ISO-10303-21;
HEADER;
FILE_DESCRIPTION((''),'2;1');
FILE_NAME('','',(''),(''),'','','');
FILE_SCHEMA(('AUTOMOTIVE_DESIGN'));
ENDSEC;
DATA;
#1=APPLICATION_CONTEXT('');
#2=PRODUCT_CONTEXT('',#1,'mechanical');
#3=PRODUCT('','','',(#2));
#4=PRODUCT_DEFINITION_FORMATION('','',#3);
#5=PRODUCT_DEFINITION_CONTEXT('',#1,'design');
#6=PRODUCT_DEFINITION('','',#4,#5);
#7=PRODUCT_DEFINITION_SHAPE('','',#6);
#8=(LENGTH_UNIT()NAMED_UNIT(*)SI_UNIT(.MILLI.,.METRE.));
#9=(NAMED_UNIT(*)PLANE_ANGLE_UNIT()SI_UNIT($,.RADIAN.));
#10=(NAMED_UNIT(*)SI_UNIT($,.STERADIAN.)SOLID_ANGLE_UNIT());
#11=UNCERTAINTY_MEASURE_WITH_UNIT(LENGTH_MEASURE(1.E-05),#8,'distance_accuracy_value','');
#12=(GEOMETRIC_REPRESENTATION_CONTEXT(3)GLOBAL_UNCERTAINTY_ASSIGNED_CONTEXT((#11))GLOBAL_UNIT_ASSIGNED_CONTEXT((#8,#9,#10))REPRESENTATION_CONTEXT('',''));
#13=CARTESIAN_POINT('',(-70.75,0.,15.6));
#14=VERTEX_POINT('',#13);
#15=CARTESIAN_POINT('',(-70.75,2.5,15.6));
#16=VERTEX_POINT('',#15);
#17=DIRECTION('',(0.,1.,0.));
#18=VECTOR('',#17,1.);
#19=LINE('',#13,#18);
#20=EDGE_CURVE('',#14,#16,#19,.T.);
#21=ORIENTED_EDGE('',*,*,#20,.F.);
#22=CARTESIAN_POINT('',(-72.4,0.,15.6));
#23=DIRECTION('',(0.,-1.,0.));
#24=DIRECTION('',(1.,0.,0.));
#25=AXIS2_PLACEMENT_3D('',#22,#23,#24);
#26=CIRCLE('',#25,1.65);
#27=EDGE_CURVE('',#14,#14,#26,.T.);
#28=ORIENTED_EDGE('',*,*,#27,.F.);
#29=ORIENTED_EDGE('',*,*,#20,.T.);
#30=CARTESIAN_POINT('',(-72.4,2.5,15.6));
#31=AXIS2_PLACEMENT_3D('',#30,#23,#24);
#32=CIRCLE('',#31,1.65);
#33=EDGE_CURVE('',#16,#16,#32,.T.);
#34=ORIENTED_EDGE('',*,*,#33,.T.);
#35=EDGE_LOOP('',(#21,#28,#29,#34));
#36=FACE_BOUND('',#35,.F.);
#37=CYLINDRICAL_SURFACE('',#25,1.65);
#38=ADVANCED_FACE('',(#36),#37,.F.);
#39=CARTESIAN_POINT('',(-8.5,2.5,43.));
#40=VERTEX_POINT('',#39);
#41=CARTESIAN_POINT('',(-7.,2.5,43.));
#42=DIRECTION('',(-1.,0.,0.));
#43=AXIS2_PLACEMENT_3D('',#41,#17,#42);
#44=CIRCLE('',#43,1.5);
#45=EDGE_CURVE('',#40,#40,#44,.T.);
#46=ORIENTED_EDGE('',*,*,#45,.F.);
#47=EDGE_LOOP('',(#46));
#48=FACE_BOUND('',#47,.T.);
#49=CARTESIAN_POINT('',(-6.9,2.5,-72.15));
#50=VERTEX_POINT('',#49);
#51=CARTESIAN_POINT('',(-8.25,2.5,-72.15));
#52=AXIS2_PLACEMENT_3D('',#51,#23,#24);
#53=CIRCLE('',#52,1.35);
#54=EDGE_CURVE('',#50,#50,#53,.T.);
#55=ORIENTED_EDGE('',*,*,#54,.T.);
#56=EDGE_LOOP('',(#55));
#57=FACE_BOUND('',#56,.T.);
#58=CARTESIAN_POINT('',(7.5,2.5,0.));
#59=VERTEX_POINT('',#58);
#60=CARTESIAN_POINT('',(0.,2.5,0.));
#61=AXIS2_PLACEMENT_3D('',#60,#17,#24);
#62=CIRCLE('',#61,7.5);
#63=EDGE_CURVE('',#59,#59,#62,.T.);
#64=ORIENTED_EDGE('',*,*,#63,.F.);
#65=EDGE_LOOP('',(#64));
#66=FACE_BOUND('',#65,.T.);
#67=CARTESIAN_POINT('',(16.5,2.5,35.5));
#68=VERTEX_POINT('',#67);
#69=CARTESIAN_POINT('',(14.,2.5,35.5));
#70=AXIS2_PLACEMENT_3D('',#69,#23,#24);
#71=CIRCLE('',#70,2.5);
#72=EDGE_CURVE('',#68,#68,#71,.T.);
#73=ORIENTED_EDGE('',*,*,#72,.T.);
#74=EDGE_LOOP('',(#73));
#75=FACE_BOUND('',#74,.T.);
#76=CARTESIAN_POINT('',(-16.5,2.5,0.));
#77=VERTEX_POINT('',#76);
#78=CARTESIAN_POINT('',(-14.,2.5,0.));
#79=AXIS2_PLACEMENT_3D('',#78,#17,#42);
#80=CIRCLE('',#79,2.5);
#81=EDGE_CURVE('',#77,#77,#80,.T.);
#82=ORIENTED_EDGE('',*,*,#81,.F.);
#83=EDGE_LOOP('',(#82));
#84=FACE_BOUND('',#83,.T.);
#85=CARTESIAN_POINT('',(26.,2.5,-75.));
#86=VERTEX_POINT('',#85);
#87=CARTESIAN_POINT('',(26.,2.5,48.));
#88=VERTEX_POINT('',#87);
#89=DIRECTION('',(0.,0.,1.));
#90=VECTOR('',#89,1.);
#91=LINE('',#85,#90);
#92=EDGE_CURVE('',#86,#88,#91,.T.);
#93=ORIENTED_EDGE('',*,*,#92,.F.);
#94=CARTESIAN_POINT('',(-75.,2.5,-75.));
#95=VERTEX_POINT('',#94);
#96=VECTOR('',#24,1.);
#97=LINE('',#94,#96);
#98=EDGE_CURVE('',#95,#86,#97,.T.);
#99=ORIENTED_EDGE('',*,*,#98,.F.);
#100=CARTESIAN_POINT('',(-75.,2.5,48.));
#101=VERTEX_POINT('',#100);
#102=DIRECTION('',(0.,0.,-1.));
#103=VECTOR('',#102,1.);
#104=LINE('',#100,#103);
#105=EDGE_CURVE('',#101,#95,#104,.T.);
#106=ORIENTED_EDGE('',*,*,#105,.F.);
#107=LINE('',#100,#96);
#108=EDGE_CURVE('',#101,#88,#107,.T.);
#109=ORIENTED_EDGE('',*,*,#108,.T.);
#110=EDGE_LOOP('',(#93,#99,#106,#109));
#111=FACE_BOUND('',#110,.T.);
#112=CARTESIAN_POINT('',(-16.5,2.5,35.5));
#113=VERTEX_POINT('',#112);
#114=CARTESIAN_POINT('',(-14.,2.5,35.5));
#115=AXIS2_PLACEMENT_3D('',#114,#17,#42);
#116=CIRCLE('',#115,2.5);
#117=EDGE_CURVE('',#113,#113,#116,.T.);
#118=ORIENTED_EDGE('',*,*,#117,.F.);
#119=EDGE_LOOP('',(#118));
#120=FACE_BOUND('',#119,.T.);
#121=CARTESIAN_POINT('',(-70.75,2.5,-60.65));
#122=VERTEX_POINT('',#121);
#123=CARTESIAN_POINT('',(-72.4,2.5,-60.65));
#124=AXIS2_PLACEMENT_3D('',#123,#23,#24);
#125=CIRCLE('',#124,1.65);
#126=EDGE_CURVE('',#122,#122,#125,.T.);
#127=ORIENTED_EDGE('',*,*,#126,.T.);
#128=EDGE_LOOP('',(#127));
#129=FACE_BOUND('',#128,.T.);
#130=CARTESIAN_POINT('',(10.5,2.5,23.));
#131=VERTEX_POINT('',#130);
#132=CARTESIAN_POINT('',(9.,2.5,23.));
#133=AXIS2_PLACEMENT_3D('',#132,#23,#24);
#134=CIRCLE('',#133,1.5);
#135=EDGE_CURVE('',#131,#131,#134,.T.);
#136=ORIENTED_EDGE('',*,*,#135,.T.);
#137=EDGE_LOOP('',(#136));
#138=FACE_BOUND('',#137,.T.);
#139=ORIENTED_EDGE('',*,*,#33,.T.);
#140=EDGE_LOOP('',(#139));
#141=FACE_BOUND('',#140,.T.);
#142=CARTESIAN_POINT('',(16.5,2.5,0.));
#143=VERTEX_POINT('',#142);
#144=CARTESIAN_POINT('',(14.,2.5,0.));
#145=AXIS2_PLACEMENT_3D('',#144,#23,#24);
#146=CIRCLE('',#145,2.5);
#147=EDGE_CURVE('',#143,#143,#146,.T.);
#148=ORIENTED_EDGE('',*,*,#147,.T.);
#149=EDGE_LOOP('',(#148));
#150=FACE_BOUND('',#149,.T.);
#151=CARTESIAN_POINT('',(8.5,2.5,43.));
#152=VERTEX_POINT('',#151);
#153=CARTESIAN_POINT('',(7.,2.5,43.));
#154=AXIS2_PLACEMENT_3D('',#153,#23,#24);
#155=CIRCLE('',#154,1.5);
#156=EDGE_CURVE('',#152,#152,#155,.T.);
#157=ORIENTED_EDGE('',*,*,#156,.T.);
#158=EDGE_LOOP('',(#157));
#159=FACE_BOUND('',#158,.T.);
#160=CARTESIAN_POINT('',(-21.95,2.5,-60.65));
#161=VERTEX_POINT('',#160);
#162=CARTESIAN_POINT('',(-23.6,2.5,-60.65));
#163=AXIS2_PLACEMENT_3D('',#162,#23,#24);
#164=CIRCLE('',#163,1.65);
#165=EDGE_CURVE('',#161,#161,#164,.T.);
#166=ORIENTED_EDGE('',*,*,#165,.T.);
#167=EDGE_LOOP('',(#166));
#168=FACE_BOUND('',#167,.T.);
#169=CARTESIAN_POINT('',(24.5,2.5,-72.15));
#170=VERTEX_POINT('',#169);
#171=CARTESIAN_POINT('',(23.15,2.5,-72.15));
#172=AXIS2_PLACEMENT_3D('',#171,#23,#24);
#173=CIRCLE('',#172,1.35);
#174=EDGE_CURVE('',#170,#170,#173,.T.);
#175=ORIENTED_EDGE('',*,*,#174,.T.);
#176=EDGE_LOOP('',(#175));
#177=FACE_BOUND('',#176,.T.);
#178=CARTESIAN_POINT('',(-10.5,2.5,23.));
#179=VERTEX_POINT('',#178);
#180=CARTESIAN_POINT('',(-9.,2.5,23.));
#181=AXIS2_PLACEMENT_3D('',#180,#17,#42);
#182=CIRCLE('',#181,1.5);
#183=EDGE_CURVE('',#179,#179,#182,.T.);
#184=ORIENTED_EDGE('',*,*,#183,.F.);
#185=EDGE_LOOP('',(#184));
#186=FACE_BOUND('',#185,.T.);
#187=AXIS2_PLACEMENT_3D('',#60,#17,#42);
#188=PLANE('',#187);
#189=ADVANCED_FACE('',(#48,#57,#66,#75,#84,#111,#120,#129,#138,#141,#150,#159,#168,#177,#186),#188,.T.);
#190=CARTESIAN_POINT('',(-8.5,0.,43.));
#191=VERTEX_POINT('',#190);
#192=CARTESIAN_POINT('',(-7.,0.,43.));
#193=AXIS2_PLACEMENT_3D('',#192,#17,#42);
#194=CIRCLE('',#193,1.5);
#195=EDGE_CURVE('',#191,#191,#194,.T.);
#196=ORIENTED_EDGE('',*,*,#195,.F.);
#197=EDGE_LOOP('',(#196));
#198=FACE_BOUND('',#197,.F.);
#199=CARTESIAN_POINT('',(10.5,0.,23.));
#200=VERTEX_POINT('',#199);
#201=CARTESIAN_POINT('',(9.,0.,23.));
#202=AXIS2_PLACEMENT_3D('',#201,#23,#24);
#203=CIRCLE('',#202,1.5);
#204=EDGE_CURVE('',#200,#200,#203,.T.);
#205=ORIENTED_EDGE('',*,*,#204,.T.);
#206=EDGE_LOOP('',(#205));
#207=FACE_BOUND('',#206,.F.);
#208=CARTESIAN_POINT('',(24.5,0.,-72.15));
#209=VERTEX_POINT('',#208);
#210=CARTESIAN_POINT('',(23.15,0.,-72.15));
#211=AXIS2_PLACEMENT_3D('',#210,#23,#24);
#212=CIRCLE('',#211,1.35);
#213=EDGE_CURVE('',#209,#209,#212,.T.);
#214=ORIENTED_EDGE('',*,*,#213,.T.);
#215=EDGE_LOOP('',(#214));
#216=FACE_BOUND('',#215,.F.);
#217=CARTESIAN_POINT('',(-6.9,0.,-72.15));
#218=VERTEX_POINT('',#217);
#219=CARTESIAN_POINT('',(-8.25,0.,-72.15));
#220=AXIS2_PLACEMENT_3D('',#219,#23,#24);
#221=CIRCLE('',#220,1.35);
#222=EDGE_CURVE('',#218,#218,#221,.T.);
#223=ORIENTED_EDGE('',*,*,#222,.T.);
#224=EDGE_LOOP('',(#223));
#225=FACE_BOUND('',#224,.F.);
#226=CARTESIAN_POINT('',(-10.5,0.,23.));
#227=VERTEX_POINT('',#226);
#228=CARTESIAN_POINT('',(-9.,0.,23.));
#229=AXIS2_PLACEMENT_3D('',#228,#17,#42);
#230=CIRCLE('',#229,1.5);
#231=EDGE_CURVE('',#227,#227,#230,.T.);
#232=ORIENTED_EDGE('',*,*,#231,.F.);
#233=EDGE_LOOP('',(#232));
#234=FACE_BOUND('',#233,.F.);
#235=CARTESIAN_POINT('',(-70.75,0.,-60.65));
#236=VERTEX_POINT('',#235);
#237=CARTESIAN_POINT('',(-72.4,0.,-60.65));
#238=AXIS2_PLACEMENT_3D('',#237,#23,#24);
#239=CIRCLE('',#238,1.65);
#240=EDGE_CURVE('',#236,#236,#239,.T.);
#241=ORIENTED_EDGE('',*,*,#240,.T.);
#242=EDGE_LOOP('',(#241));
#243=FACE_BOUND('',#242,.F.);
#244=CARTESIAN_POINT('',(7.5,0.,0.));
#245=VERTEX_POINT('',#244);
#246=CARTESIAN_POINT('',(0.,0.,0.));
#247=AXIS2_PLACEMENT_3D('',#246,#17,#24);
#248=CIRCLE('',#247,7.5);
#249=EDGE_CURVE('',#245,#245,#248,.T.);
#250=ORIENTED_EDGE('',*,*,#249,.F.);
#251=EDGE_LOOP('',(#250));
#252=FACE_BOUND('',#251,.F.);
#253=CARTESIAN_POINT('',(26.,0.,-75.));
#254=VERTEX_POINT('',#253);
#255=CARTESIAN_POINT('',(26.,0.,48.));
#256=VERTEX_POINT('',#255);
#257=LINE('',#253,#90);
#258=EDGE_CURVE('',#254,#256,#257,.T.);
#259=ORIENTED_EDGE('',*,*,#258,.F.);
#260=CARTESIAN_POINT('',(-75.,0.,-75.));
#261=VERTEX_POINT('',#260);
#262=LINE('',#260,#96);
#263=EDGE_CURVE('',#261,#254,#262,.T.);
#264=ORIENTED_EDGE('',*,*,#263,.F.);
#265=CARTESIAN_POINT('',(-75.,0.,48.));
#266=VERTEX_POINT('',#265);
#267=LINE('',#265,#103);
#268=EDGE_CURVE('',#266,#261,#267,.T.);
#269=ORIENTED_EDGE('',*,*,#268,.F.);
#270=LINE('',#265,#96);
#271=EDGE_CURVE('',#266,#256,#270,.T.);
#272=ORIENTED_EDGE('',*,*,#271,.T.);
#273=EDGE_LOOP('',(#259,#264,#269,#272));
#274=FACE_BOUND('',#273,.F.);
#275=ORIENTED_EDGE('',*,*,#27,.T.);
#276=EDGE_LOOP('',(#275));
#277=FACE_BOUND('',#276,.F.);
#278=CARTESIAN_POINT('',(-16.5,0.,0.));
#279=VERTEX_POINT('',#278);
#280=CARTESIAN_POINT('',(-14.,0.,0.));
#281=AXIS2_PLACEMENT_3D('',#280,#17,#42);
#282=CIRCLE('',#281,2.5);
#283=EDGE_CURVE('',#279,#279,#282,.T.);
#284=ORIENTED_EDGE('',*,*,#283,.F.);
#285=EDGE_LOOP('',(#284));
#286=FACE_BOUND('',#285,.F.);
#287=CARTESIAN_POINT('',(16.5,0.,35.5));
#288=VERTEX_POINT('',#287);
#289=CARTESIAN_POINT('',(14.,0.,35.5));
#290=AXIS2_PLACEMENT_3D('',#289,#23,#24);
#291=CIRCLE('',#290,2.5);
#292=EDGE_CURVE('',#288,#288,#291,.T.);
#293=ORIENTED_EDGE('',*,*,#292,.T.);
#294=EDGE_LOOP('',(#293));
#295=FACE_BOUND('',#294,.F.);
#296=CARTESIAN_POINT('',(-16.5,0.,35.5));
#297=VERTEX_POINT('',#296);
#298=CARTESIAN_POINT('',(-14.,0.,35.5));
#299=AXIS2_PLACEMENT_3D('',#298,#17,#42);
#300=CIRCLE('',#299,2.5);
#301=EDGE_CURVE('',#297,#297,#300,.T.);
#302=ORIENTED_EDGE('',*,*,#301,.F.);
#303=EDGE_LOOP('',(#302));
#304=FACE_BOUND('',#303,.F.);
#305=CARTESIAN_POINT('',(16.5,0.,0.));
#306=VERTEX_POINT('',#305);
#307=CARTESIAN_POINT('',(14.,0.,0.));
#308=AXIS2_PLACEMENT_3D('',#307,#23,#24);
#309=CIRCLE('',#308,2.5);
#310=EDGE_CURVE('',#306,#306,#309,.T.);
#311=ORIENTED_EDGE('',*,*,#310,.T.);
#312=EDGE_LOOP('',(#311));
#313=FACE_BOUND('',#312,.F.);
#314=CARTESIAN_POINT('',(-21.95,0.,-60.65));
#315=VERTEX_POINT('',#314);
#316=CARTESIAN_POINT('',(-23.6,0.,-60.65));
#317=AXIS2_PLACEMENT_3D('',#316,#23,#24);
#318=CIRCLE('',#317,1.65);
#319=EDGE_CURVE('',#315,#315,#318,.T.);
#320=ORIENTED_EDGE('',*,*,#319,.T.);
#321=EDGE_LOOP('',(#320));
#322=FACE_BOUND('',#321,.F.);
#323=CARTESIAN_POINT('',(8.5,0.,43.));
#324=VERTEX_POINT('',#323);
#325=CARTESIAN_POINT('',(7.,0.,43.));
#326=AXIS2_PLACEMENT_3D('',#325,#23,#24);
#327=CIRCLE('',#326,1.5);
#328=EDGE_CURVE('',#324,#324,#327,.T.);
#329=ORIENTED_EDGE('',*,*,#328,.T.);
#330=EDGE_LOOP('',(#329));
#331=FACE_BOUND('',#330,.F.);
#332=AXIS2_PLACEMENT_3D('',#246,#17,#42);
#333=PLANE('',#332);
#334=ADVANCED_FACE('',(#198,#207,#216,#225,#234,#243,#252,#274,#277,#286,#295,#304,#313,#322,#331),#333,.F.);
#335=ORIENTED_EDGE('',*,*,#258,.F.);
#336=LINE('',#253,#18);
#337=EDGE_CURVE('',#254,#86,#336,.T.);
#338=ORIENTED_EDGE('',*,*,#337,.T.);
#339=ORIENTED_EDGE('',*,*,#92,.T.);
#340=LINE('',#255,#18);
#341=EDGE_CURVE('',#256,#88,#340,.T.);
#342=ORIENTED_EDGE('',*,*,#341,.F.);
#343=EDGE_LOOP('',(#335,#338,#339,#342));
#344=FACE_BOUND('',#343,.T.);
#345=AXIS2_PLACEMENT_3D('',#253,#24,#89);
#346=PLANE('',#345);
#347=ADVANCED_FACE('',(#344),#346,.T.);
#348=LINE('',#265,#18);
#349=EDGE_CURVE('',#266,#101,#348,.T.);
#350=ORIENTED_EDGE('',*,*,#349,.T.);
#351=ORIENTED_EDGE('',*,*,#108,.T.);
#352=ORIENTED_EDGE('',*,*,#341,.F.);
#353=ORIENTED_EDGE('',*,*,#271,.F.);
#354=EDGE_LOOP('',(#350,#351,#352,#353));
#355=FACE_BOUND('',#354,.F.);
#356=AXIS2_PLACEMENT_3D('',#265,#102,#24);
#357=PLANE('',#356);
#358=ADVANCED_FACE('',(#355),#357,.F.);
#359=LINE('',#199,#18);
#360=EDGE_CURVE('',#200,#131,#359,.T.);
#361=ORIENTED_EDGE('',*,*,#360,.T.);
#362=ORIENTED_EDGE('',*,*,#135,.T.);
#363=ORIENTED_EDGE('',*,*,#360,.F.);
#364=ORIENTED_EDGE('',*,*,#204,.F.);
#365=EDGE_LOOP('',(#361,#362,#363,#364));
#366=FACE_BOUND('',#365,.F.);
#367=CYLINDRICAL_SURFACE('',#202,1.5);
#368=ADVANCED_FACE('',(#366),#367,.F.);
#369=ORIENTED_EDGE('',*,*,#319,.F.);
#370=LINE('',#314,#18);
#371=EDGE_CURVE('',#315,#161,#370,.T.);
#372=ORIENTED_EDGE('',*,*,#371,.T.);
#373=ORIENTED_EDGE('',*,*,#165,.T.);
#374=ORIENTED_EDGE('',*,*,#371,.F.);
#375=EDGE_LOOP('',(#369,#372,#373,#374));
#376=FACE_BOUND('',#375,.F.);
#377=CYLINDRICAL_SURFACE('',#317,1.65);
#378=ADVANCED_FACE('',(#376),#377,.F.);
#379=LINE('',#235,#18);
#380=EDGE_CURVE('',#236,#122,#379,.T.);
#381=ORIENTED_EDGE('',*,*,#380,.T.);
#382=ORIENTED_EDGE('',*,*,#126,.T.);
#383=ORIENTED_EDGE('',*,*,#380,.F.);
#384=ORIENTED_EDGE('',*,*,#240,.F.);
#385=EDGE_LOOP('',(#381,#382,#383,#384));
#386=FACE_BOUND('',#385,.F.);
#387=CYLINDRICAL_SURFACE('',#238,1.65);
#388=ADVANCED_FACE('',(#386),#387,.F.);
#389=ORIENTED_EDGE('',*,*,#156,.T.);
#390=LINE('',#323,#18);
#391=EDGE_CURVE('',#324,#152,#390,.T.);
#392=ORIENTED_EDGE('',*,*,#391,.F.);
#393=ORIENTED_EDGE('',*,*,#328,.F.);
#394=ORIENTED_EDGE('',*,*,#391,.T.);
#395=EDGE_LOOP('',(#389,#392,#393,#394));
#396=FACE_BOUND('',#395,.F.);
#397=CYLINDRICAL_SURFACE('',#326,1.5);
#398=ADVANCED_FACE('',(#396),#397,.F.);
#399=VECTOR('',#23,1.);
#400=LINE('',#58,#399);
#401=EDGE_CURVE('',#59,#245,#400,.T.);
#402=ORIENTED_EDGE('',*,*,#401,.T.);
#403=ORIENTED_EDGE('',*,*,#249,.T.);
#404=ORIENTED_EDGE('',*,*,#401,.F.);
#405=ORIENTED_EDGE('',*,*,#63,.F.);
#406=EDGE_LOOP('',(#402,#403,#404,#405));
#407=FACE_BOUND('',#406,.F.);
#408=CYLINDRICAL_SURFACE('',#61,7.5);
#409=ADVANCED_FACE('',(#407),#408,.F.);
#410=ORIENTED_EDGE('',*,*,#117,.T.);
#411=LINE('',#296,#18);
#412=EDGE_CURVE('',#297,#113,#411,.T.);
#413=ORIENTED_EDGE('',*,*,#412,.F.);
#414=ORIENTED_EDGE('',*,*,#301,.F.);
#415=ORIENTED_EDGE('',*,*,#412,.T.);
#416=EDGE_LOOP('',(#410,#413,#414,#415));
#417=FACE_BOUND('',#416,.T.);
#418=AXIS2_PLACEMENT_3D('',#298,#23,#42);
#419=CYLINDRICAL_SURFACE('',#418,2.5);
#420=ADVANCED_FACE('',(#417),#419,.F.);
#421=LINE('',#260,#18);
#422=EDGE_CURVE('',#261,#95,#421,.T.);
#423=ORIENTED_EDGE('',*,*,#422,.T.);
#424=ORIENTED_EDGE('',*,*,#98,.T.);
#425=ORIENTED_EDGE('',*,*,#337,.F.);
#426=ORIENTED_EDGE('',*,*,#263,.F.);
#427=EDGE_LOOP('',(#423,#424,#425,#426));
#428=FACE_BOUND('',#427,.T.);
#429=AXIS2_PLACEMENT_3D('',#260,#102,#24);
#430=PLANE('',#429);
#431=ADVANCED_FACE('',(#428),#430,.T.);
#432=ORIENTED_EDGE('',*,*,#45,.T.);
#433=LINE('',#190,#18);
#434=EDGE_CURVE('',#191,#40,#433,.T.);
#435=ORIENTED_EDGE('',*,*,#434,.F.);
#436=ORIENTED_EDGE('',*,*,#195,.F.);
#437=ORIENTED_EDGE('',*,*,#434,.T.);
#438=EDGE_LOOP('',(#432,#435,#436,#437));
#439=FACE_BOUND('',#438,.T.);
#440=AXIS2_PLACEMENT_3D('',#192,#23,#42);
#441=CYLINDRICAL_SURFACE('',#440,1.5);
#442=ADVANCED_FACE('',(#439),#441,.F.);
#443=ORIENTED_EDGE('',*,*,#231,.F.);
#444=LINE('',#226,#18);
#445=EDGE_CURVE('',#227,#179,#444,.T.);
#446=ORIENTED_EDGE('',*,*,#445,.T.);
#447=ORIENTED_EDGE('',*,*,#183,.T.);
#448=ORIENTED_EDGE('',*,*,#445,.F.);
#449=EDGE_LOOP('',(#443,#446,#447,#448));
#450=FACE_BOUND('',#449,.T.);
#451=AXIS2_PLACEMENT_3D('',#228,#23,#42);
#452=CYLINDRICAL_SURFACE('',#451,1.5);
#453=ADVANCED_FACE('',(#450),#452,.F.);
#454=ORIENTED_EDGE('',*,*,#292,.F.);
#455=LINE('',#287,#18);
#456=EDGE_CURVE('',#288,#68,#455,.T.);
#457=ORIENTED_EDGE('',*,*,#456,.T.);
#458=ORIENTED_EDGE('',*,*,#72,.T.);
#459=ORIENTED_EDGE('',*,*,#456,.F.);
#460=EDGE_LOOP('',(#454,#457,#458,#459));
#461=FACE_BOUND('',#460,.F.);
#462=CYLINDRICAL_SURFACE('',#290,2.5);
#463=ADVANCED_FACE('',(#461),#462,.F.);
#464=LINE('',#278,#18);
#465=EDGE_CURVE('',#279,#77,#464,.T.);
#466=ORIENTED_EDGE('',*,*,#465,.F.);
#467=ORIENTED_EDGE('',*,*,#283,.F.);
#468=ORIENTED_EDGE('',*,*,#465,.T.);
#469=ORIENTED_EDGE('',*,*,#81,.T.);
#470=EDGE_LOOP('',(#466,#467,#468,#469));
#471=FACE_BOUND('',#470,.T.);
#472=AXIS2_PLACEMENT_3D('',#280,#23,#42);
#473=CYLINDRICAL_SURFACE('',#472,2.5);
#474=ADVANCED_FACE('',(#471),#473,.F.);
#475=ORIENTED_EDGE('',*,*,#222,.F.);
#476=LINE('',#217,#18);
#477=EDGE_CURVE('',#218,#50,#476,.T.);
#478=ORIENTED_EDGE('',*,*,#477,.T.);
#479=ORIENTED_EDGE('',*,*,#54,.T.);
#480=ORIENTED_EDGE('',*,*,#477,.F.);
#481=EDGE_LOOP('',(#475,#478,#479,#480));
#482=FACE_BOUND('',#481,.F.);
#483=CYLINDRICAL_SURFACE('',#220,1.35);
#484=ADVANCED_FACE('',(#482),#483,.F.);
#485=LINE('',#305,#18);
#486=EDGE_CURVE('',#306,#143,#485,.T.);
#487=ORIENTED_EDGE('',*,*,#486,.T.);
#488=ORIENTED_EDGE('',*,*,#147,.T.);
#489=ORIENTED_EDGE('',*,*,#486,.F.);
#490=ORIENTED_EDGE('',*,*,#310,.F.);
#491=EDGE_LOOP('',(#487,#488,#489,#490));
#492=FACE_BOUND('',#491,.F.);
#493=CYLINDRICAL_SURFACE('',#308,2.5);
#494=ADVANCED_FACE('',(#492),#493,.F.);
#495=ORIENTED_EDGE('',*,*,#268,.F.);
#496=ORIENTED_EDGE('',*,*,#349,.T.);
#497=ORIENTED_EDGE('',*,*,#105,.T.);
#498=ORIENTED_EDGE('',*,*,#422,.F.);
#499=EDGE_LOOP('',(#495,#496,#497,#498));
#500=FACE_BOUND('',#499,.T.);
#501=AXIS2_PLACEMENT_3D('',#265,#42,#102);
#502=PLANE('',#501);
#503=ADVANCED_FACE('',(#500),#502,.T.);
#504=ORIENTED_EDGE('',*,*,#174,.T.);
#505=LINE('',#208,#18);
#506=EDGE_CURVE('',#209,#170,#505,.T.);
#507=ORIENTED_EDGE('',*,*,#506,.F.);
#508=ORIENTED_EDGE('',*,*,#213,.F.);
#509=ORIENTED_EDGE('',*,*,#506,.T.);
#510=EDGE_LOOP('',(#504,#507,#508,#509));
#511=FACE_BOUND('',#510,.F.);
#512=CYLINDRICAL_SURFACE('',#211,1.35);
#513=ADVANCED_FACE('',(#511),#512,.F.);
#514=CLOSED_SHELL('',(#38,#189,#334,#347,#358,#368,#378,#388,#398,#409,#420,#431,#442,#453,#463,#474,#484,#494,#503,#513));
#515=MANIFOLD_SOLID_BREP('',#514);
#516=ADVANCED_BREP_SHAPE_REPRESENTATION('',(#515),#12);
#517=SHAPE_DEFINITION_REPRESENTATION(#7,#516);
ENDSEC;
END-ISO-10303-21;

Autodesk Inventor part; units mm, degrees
ref_plane "YZ Plane" through (0, 0, 0) normal (1, 0, 0) x (0, 1, 0)
ref_plane "XZ Plane" through (0, 0, 0) normal (0, 1, 0) x (-1, 0, 0)
sketch "Sketch1" plane through (0, 0, 0) normal (0, 1, 0) x (-1, 0, 0)
  line L0 (75, 48) -> (75, -75)
  line L1 (75, -75) -> (-26, -75)
  line L2 (-26, -75) -> (-26, 48)
  line L3 (75, 48) -> (-26, 48)
  point P0 (0, 0)
extrude "Extrusion1" add sketch "Sketch1" along normal blind 2.5
sketch "Sketch2" plane through (0, 2.5, 0) normal (0, 1, 0) x (1, 0, 0)
  circle A0 centre (0, 0) radius 7.5
  dimension "d4" = 15
extrude "Extrusion2" cut sketch "Sketch2" against normal blind 2.5
ref_plane "Work Plane1" through (0, 0, 48) normal (1, 0, 0) x (0, 0, -1)
sketch "Sketch3" plane through (0, 0, 0) normal (0, -1, 0) x (1, 0, 0)
  circle A0 centre (7, 43) radius 1.5
  line L0 (26, 48) -> (26, -75) projected
  line L1 (-75, 48) -> (26, 48) projected
  circle A1 centre (9, 23) radius 1.5
  point P0 (0, 0)
  dimension "d12" = 3
  dimension "d15" = 19
  dimension "d18" = 3
  dimension "d19" = 17
  dimension "d20" = 25
  dimension "d21" = 5
extrude "Extrusion3" cut sketch "Sketch3" against normal blind 2.5
mirror "Mirror1" about plane through (0, 0, 48) normal (1, 0, 0) of "Extrusion3"
sketch "Sketch4" plane through (0, 0, 0) normal (0, -1, 0) x (1, 0, 0)
  line L0 (-75, 48) -> (26, 48) projected
  circle A0 centre (14, 35.5) radius 2.5
  circle A1 centre (14, 0) radius 2.5
  point P0 (0, 0)
  dimension "d24" = 5
  dimension "d28" = 5
  dimension "d29" = 14
  dimension "d30" = 14
extrude "Extrusion4" cut sketch "Sketch4" against normal blind 2.5
mirror "Mirror2" about plane through (0, 0, 48) normal (1, 0, 0) of "Extrusion4"
sketch "Sketch5" plane through (0, 0, 0) normal (0, -1, 0) x (1, 0, 0)
  line L0 (26, 48) -> (26, -75) projected
  circle A0 centre (23.15, -72.15) radius 1.35
  point P0 (0, 0)
  dimension "d33" = 2.7
extrude "Extrusion5" cut sketch "Sketch5" against normal blind 2.5
pattern_linear "Rectangular Pattern1" count 2 spacing 31.4 along (-1, 0, 0) of "Extrusion5"
sketch "Sketch6" plane through (0, 0, 0) normal (0, -1, 0) x (1, 0, 0)
  circle A0 centre (-72.4, -60.65) radius 1.65
  point P0 (0, 0)
  point P1 (-75, -75)
  dimension "d41" = 3.3
extrude "Extrusion6" cut sketch "Sketch6" against normal blind 2.5
pattern_linear "Rectangular Pattern2" count 2 spacing 48.8 along (1, 0, 0) of "Extrusion6"
pattern_linear "Rectangular Pattern3" count 2 spacing 76.25 along (0, 0, 1) of "Extrusion6"
properties part number "BaseMDF"
